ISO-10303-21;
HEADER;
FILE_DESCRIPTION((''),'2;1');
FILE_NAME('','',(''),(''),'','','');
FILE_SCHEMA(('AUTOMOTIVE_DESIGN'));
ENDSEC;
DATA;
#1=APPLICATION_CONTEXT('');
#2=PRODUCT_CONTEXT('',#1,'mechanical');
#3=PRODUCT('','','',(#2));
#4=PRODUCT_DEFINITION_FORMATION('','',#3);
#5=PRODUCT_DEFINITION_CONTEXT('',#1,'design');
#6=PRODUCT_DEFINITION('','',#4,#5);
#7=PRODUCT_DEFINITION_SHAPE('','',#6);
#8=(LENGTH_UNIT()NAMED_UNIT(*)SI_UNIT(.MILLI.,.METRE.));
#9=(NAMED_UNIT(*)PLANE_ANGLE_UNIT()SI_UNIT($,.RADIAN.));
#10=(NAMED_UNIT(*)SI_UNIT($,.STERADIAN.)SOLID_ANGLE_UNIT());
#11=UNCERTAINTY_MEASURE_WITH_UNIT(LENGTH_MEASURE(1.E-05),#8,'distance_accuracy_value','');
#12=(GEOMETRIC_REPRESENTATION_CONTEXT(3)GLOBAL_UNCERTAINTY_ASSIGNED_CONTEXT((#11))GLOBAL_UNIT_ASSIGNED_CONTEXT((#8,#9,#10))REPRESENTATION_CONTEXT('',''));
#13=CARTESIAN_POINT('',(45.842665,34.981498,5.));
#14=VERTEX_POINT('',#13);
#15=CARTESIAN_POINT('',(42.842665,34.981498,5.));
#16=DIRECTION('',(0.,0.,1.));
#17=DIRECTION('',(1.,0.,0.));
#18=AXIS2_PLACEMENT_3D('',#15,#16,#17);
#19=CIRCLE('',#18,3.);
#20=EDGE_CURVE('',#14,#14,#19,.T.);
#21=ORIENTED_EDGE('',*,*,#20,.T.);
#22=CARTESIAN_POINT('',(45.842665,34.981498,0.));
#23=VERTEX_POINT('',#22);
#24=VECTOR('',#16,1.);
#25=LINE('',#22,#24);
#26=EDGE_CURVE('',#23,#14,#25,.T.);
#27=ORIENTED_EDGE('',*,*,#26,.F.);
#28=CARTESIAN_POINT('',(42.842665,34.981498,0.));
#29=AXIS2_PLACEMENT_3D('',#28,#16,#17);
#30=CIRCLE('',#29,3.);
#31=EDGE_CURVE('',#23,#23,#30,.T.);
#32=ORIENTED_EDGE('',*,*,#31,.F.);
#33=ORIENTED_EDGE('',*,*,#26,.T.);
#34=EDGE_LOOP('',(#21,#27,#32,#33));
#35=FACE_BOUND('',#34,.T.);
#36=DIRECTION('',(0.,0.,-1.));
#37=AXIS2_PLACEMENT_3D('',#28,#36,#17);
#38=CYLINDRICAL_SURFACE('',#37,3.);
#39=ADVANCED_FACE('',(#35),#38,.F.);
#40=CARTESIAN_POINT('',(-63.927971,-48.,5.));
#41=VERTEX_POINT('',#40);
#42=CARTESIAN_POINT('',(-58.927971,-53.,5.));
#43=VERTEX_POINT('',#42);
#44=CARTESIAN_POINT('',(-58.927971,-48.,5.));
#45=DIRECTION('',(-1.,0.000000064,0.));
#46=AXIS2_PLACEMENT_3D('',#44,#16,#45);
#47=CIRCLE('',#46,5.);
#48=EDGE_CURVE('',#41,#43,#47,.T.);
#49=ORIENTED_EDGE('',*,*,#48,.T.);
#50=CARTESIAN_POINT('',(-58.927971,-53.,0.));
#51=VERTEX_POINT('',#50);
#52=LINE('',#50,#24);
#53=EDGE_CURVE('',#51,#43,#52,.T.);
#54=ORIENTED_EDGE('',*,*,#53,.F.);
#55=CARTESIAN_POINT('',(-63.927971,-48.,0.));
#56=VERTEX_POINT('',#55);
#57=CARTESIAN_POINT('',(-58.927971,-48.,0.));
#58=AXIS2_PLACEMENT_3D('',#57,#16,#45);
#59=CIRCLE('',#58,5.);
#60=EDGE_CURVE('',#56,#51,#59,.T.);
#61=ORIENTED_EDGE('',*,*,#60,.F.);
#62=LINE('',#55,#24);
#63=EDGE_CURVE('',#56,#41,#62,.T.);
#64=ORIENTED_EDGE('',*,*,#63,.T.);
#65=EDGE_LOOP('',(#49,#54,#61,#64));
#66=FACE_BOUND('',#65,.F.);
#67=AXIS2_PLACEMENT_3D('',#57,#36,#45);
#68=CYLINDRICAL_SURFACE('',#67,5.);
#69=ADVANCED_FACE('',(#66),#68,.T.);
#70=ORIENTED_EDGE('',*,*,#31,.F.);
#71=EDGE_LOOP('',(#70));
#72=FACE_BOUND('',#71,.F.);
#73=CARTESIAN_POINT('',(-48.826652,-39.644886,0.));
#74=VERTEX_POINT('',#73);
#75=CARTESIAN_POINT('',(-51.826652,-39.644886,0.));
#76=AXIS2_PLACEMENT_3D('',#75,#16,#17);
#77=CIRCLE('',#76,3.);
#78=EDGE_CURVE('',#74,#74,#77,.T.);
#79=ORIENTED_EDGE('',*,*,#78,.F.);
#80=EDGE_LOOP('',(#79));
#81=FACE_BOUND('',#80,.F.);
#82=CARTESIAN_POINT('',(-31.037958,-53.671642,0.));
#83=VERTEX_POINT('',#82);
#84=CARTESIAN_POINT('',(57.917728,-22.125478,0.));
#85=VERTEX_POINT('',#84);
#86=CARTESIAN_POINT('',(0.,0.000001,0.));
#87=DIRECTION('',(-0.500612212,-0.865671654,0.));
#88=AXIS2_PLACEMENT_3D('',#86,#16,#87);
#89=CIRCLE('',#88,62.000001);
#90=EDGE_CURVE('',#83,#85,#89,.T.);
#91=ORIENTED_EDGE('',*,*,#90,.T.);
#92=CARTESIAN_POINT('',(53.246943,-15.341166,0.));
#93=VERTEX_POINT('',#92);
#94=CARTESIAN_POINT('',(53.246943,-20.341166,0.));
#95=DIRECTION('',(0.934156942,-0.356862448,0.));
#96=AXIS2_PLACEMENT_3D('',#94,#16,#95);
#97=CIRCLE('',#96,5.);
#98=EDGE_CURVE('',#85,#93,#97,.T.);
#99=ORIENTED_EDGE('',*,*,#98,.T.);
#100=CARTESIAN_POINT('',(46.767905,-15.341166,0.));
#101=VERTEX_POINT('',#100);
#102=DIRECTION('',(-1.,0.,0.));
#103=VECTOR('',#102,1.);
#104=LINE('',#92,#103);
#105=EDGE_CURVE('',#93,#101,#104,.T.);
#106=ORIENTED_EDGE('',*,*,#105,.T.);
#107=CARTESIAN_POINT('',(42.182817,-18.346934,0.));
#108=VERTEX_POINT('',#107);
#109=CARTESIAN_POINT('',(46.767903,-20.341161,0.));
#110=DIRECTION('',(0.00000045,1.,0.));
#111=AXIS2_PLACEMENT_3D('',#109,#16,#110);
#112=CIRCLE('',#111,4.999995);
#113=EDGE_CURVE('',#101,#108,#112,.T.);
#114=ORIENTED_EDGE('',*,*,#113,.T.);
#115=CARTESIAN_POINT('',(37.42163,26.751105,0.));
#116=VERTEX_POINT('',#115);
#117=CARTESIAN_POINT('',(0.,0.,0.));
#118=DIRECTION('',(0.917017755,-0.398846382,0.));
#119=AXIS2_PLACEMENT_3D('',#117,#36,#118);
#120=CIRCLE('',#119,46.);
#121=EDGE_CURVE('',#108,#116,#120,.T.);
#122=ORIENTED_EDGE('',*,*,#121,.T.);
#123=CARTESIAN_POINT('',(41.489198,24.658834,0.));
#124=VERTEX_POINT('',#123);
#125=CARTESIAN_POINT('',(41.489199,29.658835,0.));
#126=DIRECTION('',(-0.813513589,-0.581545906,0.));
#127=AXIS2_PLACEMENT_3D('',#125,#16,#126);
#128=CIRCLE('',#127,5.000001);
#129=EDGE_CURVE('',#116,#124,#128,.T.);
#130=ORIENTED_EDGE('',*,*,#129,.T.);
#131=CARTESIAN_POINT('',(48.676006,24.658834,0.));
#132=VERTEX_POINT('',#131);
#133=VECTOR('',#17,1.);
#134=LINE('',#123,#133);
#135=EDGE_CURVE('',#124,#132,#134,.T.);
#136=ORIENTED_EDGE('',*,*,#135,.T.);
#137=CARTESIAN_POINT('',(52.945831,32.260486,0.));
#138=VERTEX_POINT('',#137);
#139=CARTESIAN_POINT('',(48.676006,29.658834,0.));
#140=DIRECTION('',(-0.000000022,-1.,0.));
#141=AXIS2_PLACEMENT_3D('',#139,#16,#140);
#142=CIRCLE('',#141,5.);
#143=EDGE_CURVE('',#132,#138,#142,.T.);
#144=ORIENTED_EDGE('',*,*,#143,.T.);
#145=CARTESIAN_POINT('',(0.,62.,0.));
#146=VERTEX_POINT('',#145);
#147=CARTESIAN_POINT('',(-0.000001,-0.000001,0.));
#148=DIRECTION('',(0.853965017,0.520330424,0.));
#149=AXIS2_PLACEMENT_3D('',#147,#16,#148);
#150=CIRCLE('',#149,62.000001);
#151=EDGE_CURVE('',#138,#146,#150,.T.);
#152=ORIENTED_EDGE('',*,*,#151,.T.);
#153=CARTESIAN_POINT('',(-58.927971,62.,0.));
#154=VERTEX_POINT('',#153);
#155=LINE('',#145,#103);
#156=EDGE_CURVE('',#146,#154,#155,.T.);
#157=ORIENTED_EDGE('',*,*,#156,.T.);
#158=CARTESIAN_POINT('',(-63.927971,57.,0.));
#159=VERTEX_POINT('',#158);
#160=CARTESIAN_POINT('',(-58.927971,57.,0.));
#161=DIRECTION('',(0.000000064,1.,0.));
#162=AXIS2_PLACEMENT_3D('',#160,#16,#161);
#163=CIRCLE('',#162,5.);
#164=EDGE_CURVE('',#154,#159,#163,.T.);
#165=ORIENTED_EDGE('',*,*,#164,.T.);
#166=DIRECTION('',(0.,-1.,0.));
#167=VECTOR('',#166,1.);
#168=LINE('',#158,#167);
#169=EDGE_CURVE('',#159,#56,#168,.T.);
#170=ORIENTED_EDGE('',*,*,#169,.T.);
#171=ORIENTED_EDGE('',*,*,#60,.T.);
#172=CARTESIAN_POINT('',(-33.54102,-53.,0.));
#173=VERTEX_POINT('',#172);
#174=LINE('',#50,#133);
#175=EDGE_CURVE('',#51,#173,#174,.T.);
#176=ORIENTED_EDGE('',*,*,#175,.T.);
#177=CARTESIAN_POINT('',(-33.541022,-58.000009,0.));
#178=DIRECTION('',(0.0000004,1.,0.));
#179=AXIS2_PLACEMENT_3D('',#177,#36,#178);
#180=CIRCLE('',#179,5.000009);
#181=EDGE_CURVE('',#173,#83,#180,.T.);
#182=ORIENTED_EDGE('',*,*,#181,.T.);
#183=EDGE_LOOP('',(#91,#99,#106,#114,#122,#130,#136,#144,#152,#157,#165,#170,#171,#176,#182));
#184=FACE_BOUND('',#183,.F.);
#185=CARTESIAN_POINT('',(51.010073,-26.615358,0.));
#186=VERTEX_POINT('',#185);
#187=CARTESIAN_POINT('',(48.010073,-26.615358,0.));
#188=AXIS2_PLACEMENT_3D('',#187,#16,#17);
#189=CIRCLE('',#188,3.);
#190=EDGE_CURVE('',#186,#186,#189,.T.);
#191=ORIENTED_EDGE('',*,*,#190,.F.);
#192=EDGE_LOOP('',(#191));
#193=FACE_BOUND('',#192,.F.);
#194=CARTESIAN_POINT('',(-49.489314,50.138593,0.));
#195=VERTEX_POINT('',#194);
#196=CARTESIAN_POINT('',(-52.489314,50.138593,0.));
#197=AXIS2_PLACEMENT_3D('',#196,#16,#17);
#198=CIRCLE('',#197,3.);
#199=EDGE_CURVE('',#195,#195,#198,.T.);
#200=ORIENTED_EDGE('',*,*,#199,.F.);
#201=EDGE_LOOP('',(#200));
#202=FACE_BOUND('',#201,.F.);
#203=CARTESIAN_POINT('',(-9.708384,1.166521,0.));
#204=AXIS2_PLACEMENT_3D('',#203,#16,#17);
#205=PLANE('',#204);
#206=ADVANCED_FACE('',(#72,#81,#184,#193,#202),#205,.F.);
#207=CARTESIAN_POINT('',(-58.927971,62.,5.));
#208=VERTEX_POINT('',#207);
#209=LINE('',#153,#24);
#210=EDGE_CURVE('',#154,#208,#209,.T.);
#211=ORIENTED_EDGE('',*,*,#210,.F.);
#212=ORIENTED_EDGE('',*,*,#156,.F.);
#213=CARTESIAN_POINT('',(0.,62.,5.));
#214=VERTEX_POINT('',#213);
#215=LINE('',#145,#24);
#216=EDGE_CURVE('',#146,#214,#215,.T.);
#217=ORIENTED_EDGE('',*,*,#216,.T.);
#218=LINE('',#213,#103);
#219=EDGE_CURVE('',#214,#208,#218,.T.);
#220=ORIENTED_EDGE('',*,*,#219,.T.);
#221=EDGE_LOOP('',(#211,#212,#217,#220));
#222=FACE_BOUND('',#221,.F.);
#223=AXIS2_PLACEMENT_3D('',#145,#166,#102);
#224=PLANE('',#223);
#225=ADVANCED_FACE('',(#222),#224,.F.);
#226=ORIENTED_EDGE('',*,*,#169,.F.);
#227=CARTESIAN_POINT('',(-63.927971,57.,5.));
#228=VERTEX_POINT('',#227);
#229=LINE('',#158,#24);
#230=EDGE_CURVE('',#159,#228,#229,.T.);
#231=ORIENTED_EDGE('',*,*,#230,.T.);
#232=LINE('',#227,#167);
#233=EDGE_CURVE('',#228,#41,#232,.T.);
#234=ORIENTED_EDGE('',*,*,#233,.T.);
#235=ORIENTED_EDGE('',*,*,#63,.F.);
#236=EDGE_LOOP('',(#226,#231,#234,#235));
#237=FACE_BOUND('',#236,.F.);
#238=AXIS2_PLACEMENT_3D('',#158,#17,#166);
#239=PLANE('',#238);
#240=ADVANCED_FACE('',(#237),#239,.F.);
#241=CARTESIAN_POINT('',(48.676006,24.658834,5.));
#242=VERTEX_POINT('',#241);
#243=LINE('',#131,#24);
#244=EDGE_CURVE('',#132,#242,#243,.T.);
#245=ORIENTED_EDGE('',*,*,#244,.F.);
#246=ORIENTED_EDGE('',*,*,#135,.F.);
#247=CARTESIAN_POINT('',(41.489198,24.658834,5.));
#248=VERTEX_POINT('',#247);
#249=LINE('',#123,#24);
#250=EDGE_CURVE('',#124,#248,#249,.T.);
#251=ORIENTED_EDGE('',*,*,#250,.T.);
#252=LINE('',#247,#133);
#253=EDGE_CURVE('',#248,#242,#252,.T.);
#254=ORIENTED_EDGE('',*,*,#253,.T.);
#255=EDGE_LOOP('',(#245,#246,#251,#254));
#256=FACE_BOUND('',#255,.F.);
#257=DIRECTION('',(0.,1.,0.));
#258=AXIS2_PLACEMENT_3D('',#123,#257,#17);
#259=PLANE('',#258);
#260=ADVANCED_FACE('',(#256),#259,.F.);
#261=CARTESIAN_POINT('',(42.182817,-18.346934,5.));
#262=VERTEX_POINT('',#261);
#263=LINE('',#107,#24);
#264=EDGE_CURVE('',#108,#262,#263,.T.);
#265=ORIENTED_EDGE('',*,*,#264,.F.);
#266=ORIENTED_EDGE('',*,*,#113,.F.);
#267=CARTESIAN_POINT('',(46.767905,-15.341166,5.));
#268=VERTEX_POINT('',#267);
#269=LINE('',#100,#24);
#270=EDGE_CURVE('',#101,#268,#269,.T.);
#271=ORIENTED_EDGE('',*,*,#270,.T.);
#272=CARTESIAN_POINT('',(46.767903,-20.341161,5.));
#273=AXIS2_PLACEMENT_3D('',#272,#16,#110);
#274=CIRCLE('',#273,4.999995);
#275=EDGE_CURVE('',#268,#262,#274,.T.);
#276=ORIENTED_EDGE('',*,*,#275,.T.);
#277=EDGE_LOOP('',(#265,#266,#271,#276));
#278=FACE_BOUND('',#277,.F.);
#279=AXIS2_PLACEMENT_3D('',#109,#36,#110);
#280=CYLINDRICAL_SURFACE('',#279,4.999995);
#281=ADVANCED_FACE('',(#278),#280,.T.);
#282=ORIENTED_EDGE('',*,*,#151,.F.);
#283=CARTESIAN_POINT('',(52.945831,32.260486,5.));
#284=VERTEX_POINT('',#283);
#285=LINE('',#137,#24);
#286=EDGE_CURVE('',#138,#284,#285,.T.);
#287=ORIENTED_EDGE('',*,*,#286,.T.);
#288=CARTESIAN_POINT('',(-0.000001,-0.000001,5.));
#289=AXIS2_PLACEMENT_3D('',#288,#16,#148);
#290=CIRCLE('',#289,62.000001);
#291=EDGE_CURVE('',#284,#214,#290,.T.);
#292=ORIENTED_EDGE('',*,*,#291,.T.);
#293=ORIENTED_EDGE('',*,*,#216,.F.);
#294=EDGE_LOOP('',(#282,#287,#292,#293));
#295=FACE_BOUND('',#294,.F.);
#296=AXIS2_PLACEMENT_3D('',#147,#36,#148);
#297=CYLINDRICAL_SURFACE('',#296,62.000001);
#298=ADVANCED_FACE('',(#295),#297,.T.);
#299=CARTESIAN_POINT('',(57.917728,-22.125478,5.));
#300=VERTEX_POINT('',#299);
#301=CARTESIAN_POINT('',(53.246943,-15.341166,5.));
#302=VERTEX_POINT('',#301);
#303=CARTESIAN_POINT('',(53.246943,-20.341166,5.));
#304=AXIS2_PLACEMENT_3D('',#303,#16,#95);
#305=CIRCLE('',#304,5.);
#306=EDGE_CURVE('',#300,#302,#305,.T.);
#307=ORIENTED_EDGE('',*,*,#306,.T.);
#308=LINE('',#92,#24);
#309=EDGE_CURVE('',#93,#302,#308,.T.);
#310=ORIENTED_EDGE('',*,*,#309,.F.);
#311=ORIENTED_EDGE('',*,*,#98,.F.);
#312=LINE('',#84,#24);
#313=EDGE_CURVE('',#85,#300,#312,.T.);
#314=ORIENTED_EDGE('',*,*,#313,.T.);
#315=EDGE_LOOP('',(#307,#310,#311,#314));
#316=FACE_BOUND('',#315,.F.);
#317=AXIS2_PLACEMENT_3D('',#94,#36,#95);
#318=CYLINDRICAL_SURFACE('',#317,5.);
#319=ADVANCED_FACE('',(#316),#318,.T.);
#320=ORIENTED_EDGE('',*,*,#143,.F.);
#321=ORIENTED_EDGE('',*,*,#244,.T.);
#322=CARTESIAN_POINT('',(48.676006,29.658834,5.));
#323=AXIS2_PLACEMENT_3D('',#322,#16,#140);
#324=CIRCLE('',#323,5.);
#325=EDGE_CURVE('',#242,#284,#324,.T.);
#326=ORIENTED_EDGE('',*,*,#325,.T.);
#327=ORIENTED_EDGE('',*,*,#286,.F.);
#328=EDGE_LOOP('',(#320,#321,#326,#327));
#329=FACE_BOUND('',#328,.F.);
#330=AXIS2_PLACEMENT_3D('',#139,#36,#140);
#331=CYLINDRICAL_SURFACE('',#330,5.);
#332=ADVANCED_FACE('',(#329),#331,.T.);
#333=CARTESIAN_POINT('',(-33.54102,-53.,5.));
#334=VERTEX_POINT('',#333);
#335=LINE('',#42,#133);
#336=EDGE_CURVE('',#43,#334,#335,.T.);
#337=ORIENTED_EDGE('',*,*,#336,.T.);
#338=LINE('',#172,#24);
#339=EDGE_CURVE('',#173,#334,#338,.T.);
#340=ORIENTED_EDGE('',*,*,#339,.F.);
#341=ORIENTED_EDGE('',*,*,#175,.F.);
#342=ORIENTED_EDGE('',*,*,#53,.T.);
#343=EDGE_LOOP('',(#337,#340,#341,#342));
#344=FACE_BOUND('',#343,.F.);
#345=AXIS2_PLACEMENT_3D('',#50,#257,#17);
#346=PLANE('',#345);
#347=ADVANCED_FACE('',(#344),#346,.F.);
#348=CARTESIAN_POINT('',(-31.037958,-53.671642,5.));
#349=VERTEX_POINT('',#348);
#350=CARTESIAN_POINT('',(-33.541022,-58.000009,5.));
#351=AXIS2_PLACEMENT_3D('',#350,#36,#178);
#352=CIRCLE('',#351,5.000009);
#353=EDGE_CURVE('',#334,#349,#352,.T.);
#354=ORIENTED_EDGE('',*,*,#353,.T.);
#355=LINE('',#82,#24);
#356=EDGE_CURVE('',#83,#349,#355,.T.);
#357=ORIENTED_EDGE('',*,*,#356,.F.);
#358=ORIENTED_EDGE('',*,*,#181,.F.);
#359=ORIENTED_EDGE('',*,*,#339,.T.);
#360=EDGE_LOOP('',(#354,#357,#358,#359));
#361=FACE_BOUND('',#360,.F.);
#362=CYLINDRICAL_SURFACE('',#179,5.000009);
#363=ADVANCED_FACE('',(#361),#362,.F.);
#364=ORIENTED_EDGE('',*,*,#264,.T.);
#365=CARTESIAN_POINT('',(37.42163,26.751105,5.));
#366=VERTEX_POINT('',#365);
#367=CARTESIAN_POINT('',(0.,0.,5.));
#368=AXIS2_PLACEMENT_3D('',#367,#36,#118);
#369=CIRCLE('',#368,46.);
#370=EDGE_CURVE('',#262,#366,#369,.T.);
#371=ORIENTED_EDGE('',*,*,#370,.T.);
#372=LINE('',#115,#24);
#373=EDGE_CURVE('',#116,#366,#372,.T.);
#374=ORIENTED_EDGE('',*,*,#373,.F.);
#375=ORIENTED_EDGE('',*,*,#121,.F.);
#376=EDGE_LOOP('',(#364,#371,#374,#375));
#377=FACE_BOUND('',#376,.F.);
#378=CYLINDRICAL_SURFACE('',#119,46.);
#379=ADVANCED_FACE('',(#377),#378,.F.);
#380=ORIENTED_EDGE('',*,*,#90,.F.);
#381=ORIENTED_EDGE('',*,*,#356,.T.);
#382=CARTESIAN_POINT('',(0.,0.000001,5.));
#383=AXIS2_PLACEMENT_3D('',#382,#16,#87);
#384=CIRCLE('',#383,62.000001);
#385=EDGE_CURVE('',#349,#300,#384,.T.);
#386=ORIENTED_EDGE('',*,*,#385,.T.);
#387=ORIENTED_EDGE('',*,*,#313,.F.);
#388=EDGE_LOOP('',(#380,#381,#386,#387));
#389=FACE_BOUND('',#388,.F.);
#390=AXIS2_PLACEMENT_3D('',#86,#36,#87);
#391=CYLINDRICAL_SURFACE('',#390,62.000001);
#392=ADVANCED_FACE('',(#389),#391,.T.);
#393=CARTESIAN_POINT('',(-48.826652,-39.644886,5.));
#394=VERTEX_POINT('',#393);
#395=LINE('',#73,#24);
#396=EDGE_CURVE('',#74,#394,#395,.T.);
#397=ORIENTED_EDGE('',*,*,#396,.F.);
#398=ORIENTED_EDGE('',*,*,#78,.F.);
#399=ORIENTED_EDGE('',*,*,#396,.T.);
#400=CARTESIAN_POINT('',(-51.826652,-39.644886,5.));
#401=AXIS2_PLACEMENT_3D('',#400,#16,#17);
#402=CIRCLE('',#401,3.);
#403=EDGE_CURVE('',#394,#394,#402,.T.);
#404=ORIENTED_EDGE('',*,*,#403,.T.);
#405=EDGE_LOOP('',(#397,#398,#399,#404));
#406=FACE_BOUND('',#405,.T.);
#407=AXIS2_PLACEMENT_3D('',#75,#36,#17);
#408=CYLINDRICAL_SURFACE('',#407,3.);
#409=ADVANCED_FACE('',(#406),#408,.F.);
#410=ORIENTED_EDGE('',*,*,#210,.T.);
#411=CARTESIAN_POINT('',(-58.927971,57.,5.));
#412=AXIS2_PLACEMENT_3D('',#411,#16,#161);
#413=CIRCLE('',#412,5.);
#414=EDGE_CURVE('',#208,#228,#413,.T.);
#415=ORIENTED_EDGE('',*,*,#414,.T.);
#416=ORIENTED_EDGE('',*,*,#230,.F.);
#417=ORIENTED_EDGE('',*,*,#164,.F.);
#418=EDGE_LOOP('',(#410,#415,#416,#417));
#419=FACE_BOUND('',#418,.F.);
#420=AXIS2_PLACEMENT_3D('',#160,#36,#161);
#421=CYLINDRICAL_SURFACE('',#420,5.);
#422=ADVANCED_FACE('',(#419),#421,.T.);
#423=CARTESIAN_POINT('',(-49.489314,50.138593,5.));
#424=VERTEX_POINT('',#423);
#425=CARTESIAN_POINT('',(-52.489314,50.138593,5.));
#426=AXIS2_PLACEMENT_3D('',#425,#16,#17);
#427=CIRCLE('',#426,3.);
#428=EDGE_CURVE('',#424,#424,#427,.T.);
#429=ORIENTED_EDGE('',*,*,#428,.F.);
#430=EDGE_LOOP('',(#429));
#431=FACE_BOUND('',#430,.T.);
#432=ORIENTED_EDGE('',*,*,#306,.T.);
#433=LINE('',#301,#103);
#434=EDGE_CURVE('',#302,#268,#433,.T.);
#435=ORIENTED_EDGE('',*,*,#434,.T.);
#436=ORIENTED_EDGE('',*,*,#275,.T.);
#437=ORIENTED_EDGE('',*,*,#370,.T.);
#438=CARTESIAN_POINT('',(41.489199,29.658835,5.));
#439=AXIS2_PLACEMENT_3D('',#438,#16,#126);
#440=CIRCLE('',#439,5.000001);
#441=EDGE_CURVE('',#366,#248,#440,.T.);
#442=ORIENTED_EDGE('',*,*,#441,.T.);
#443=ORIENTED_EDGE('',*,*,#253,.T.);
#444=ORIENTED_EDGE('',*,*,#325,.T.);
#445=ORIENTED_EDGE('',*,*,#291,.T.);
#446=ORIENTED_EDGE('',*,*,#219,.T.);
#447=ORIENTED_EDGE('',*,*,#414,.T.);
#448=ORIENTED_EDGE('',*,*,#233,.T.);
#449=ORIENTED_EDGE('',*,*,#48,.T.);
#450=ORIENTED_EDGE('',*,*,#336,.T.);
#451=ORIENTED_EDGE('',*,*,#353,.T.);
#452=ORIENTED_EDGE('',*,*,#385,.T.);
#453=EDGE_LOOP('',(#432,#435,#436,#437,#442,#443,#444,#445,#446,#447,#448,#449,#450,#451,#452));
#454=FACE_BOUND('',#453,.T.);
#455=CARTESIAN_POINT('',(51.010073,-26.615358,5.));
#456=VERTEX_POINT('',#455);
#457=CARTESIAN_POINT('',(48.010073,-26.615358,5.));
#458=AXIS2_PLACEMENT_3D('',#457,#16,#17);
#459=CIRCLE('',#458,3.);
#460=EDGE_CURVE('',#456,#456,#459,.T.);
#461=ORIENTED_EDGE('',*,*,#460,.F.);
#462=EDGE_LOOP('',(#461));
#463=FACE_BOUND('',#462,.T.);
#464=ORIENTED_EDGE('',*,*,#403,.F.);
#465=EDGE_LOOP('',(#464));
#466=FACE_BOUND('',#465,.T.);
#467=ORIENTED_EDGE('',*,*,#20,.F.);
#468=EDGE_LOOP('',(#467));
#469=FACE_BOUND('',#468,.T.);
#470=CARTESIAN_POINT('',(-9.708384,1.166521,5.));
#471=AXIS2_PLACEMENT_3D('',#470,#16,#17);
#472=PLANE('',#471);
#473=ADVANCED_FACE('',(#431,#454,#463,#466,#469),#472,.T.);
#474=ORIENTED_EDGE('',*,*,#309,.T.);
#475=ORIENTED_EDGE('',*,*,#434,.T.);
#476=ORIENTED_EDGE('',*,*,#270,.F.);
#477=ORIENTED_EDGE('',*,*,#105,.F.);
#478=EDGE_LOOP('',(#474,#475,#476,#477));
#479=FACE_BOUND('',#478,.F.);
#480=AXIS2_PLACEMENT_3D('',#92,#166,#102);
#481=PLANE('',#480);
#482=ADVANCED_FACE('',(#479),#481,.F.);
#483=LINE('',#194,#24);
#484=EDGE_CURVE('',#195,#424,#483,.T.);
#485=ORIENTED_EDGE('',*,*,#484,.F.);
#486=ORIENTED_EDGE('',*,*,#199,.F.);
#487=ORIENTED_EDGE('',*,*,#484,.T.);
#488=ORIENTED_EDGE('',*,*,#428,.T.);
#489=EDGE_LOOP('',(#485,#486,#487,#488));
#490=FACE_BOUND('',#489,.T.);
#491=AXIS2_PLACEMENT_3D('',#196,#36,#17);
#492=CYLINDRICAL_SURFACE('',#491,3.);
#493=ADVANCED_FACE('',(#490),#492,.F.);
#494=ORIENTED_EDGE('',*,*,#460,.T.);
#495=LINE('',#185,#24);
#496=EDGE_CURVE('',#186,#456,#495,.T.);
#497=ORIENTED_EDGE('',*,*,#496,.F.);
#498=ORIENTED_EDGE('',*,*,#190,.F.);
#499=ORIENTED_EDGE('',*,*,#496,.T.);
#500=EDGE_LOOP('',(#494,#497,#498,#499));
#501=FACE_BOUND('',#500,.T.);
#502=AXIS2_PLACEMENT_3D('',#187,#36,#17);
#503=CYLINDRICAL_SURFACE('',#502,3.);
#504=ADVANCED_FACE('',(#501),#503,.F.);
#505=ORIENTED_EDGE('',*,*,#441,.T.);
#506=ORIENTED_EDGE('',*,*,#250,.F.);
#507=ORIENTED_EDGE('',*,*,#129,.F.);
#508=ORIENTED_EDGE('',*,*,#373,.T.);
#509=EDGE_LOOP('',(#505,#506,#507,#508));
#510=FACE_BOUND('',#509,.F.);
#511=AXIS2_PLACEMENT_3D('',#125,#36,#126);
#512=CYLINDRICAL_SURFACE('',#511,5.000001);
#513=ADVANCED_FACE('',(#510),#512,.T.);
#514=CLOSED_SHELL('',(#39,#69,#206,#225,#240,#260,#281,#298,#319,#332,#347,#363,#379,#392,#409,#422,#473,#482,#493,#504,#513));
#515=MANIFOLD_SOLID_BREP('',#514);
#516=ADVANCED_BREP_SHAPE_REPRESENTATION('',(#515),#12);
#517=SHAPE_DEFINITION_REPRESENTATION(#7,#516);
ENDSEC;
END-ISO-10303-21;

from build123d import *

# Parameters (mm, degrees)
F0_R     = 3
F1_DEPTH = 5


with BuildPart() as f1:
    # F0 (on Top) → F1 (new body)
    with BuildSketch(Plane.XY):
        with BuildLine():
            ThreePointArc((42.182817, -18.346934), (-45.745768, -4.82957), (37.42163, 26.751105))
            ThreePointArc((37.42163, 26.751105), (39.20213, 25.212564), (41.489198, 24.658834))
            Line((41.489198, 24.658834), (48.676006, 24.658834))
            ThreePointArc((48.676006, 24.658834), (53.035379, 27.210188), (52.945831, 32.260486))
            ThreePointArc((52.945831, 32.260486), (30.363217, 54.056221), (0, 62))
            Line((0, 62), (-58.927971, 62))
            ThreePointArc((-58.927971, 62), (-62.463505, 60.535534), (-63.927971, 57))
            Line((-63.927971, 57), (-63.927971, -48))
            ThreePointArc((-63.927971, -48), (-62.463505, -51.535534), (-58.927971, -53))
            Line((-58.927971, -53), (-33.54102, -53))
            ThreePointArc((-33.54102, -53), (-32.245217, -53.170829), (-31.037958, -53.671642))
            ThreePointArc((-31.037958, -53.671642), (20.722466, -58.434402), (57.917728, -22.125478))
            ThreePointArc((57.917728, -22.125478), (57.36529, -17.505814), (53.246943, -15.341166))
            Line((53.246943, -15.341166), (46.767905, -15.341166))
            ThreePointArc((46.767905, -15.341166), (44.026661, -16.159589), (42.182817, -18.346934))
        make_face()
        with Locations((-51.826652, -39.644886)):
            Circle(F0_R, mode=Mode.SUBTRACT)
        with Locations((48.010073, -26.615358)):
            Circle(F0_R, mode=Mode.SUBTRACT)
        with Locations((-52.489314, 50.138593)):
            Circle(F0_R, mode=Mode.SUBTRACT)
        with Locations((42.842665, 34.981498)):
            Circle(F0_R, mode=Mode.SUBTRACT)
    extrude(amount=F1_DEPTH)


solid = f1.part
